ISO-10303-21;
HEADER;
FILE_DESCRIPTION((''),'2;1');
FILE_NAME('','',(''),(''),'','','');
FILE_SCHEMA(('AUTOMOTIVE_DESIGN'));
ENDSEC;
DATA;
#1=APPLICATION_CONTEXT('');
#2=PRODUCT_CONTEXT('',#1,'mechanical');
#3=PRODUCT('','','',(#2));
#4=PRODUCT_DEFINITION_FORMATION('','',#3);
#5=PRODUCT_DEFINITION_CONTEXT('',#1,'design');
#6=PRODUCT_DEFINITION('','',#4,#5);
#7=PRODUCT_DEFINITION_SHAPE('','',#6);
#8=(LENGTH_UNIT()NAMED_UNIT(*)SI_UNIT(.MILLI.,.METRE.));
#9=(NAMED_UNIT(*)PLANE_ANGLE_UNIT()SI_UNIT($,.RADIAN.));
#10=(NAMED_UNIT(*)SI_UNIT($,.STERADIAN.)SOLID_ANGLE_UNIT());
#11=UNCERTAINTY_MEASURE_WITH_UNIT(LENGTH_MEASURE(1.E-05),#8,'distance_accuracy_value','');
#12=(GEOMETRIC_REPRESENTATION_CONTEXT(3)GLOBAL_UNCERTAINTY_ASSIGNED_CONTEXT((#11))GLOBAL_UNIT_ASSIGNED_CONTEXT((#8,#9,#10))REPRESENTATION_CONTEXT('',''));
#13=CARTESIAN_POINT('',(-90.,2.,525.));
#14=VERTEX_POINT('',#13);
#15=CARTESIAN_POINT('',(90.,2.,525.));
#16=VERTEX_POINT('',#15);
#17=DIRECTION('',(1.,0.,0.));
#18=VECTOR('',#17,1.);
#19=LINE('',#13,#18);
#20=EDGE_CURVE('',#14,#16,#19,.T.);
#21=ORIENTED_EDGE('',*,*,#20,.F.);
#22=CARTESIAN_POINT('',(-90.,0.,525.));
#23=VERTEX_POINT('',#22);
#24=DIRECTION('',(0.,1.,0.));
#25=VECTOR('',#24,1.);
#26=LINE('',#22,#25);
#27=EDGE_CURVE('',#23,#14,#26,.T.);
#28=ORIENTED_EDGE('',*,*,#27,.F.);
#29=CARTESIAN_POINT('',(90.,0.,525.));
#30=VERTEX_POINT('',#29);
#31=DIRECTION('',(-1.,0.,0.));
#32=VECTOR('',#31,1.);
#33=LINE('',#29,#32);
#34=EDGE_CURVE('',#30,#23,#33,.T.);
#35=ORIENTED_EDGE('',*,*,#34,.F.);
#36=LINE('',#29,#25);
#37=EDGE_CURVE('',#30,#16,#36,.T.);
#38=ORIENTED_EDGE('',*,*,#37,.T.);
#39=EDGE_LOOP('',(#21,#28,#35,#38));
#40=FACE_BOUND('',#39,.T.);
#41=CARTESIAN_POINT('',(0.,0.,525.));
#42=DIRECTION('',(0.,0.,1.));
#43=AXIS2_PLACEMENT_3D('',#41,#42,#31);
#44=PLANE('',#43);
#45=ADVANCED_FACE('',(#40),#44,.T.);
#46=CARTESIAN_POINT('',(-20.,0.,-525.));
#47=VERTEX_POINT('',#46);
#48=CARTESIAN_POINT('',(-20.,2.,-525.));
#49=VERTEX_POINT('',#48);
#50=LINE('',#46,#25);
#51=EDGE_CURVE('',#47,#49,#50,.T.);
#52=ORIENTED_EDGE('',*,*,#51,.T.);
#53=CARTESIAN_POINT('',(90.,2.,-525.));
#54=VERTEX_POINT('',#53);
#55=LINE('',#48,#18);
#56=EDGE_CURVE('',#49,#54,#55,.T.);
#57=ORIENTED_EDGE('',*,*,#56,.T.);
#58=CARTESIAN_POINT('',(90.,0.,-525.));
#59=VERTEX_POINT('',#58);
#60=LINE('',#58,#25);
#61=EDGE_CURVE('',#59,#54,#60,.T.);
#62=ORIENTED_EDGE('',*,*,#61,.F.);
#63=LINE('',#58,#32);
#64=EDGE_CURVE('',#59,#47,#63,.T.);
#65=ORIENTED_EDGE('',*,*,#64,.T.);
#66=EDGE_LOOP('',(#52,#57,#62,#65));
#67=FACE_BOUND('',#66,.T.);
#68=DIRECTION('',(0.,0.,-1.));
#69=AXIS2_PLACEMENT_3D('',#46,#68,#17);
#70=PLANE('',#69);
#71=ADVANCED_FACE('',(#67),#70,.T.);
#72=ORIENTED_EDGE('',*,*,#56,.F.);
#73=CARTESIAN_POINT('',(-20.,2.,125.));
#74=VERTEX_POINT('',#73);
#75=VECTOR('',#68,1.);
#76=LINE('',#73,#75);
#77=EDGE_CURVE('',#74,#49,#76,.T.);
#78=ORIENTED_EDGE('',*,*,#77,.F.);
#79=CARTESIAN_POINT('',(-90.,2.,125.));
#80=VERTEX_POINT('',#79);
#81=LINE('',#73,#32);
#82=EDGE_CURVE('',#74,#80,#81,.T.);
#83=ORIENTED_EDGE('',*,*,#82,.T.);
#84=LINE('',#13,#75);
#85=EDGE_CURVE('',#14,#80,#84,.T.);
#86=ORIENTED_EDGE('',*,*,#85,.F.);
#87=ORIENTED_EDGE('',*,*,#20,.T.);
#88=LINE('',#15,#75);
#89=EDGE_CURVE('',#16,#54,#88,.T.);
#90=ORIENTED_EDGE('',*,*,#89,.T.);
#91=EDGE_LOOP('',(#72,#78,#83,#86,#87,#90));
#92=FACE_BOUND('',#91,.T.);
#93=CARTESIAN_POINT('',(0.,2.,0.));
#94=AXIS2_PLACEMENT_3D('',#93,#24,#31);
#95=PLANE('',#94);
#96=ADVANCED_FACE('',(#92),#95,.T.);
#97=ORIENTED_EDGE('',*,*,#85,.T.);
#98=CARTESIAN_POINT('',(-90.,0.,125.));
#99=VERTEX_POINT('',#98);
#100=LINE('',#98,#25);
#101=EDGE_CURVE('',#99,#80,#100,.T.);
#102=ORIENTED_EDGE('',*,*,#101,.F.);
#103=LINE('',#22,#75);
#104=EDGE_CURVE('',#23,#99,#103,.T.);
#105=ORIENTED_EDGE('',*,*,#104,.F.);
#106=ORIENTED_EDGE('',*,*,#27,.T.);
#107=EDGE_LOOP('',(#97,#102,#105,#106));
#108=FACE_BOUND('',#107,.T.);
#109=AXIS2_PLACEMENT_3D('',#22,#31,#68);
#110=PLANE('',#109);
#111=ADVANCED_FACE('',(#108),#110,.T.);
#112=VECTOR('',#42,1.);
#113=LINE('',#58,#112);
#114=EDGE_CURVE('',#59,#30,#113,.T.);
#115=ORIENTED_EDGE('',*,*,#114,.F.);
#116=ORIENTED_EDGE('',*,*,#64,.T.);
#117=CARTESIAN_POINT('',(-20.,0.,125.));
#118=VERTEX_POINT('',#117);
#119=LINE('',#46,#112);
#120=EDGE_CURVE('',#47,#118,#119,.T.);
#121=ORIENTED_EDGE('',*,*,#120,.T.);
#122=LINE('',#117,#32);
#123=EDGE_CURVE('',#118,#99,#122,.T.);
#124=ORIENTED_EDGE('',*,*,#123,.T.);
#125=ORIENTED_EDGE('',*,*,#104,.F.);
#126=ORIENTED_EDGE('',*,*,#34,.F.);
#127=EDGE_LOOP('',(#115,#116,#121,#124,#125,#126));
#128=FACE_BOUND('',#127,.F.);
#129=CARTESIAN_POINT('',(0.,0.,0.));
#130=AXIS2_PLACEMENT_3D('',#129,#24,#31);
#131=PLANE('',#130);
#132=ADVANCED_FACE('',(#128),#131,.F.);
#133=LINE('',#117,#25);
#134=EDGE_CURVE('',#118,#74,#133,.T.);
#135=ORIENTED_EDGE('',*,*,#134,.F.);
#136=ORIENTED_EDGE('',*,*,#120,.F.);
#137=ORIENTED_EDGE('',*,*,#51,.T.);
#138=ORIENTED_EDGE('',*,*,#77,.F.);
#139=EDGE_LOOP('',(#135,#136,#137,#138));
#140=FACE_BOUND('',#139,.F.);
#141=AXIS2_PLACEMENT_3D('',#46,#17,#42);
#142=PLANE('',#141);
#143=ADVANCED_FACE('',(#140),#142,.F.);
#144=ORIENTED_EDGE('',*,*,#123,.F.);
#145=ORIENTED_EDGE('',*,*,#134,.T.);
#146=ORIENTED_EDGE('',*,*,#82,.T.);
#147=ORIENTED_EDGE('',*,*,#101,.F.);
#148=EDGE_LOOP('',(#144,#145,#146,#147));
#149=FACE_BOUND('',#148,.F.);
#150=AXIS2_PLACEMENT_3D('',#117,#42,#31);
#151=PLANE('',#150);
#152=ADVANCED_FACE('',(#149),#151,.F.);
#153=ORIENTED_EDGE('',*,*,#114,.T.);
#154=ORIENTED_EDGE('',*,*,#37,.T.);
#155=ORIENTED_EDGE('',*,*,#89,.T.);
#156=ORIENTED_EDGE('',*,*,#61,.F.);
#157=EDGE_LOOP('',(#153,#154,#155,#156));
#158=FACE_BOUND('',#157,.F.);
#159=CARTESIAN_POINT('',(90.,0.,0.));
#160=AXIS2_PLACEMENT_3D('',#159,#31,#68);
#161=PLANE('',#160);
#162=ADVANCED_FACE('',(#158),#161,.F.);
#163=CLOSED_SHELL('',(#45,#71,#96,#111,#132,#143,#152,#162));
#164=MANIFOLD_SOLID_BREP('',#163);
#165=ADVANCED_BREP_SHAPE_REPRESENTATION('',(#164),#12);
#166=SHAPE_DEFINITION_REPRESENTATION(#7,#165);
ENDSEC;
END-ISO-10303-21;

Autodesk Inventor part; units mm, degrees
ref_plane "YZ Plane" through (0, 0, 0) normal (1, 0, 0) x (0, 1, 0)
ref_plane "XZ Plane" through (0, 0, 0) normal (0, 1, 0) x (-1, 0, 0)
ref_plane "XY Plane" through (0, 0, 0) normal (0, 0, 1) x (1, 0, 0)
sketch "Sketch1" plane through (0, 0, 0) normal (0, 1, 0) x (-1, 0, 0)
  line L0 (20, -525) -> (-90, -525)
  line L1 (-90, 525) -> (90, 525)
  line L2 (0, 525) -> (0, -525)
  line L3 (20, -525) -> (20, 125)
  line L4 (20, 125) -> (90, 125)
  line L5 (90, 525) -> (90, 125)
  line L6 (20, 0) -> (-90, 0)
  line L7 (-90, 525) -> (-90, -525)
  point P0 (0, 0)
  dimension "d6" = 1050
  dimension "d7" = 180
  dimension "d8" = 70
  dimension "d10" = 650
extrude "Extrusion1" add sketch "Sketch1" along normal blind 2
properties part number "Mi" material "LCP Plastic"
